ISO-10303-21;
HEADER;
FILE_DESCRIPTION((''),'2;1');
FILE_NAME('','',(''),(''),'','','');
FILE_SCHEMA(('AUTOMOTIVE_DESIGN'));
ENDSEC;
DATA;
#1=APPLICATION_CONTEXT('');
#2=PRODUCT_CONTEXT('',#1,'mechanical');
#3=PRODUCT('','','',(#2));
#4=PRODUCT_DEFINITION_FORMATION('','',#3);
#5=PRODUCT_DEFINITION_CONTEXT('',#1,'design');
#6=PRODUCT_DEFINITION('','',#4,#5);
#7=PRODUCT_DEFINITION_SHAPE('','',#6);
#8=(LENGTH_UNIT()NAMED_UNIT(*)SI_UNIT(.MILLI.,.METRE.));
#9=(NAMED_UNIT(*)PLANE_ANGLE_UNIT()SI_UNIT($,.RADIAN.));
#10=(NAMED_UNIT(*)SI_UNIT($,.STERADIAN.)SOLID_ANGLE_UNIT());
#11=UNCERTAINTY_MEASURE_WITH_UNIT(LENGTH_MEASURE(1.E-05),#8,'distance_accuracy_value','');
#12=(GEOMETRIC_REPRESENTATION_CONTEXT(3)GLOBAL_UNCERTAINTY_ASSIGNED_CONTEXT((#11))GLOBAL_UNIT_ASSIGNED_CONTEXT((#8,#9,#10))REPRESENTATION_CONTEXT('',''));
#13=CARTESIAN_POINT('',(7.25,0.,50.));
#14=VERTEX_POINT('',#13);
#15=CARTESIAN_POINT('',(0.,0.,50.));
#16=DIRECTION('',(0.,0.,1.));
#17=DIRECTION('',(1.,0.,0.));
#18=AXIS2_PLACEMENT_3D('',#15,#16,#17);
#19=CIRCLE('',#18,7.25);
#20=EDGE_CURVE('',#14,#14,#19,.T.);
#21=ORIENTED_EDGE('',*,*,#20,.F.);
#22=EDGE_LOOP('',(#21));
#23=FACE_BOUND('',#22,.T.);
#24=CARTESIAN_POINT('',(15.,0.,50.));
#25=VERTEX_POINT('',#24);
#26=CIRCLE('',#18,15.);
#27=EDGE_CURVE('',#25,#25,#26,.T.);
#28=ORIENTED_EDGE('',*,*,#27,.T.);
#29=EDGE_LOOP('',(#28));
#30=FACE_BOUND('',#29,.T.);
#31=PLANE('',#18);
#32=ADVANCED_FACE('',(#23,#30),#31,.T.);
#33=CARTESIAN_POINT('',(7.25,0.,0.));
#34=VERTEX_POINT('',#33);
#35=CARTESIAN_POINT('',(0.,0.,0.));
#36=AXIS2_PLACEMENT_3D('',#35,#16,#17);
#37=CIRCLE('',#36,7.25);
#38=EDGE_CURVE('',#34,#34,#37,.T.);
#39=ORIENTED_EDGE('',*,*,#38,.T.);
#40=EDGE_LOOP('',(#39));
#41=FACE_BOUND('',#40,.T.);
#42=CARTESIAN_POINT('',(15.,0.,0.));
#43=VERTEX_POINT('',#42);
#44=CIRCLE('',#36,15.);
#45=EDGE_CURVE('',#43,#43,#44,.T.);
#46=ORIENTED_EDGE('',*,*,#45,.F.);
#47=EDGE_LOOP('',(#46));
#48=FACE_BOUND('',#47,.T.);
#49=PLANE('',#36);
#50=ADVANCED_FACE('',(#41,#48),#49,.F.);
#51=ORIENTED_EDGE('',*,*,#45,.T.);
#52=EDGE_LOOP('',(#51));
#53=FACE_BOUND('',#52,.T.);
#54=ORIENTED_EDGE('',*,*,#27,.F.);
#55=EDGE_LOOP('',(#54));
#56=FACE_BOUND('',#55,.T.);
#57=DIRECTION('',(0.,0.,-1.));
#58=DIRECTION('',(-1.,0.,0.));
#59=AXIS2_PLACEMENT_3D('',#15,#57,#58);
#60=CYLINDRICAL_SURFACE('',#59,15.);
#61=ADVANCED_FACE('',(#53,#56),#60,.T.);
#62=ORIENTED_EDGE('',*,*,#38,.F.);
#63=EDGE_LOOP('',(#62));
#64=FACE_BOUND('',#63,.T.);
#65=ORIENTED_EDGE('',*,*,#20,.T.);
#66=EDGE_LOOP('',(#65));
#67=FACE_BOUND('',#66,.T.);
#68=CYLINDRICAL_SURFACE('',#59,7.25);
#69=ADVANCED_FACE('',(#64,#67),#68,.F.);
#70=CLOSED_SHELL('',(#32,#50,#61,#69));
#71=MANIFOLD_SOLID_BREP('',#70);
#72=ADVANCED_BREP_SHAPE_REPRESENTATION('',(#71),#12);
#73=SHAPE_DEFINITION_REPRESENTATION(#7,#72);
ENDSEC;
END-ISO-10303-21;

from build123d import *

# Parameters (mm, degrees)
IZIM1_R                     = 15
IZIM1_R_2                   = 7.25
Y_KSEKLIK_EKSTR_ZYON1_DEPTH = 50


with BuildPart() as part:
    # Çizim1 → Yükseklik-Ekstrüzyon1 (new body)
    with BuildSketch(Plane.XY):
        Circle(IZIM1_R)
        Circle(IZIM1_R_2, mode=Mode.SUBTRACT)
    extrude(amount=Y_KSEKLIK_EKSTR_ZYON1_DEPTH)


solid = part.part
